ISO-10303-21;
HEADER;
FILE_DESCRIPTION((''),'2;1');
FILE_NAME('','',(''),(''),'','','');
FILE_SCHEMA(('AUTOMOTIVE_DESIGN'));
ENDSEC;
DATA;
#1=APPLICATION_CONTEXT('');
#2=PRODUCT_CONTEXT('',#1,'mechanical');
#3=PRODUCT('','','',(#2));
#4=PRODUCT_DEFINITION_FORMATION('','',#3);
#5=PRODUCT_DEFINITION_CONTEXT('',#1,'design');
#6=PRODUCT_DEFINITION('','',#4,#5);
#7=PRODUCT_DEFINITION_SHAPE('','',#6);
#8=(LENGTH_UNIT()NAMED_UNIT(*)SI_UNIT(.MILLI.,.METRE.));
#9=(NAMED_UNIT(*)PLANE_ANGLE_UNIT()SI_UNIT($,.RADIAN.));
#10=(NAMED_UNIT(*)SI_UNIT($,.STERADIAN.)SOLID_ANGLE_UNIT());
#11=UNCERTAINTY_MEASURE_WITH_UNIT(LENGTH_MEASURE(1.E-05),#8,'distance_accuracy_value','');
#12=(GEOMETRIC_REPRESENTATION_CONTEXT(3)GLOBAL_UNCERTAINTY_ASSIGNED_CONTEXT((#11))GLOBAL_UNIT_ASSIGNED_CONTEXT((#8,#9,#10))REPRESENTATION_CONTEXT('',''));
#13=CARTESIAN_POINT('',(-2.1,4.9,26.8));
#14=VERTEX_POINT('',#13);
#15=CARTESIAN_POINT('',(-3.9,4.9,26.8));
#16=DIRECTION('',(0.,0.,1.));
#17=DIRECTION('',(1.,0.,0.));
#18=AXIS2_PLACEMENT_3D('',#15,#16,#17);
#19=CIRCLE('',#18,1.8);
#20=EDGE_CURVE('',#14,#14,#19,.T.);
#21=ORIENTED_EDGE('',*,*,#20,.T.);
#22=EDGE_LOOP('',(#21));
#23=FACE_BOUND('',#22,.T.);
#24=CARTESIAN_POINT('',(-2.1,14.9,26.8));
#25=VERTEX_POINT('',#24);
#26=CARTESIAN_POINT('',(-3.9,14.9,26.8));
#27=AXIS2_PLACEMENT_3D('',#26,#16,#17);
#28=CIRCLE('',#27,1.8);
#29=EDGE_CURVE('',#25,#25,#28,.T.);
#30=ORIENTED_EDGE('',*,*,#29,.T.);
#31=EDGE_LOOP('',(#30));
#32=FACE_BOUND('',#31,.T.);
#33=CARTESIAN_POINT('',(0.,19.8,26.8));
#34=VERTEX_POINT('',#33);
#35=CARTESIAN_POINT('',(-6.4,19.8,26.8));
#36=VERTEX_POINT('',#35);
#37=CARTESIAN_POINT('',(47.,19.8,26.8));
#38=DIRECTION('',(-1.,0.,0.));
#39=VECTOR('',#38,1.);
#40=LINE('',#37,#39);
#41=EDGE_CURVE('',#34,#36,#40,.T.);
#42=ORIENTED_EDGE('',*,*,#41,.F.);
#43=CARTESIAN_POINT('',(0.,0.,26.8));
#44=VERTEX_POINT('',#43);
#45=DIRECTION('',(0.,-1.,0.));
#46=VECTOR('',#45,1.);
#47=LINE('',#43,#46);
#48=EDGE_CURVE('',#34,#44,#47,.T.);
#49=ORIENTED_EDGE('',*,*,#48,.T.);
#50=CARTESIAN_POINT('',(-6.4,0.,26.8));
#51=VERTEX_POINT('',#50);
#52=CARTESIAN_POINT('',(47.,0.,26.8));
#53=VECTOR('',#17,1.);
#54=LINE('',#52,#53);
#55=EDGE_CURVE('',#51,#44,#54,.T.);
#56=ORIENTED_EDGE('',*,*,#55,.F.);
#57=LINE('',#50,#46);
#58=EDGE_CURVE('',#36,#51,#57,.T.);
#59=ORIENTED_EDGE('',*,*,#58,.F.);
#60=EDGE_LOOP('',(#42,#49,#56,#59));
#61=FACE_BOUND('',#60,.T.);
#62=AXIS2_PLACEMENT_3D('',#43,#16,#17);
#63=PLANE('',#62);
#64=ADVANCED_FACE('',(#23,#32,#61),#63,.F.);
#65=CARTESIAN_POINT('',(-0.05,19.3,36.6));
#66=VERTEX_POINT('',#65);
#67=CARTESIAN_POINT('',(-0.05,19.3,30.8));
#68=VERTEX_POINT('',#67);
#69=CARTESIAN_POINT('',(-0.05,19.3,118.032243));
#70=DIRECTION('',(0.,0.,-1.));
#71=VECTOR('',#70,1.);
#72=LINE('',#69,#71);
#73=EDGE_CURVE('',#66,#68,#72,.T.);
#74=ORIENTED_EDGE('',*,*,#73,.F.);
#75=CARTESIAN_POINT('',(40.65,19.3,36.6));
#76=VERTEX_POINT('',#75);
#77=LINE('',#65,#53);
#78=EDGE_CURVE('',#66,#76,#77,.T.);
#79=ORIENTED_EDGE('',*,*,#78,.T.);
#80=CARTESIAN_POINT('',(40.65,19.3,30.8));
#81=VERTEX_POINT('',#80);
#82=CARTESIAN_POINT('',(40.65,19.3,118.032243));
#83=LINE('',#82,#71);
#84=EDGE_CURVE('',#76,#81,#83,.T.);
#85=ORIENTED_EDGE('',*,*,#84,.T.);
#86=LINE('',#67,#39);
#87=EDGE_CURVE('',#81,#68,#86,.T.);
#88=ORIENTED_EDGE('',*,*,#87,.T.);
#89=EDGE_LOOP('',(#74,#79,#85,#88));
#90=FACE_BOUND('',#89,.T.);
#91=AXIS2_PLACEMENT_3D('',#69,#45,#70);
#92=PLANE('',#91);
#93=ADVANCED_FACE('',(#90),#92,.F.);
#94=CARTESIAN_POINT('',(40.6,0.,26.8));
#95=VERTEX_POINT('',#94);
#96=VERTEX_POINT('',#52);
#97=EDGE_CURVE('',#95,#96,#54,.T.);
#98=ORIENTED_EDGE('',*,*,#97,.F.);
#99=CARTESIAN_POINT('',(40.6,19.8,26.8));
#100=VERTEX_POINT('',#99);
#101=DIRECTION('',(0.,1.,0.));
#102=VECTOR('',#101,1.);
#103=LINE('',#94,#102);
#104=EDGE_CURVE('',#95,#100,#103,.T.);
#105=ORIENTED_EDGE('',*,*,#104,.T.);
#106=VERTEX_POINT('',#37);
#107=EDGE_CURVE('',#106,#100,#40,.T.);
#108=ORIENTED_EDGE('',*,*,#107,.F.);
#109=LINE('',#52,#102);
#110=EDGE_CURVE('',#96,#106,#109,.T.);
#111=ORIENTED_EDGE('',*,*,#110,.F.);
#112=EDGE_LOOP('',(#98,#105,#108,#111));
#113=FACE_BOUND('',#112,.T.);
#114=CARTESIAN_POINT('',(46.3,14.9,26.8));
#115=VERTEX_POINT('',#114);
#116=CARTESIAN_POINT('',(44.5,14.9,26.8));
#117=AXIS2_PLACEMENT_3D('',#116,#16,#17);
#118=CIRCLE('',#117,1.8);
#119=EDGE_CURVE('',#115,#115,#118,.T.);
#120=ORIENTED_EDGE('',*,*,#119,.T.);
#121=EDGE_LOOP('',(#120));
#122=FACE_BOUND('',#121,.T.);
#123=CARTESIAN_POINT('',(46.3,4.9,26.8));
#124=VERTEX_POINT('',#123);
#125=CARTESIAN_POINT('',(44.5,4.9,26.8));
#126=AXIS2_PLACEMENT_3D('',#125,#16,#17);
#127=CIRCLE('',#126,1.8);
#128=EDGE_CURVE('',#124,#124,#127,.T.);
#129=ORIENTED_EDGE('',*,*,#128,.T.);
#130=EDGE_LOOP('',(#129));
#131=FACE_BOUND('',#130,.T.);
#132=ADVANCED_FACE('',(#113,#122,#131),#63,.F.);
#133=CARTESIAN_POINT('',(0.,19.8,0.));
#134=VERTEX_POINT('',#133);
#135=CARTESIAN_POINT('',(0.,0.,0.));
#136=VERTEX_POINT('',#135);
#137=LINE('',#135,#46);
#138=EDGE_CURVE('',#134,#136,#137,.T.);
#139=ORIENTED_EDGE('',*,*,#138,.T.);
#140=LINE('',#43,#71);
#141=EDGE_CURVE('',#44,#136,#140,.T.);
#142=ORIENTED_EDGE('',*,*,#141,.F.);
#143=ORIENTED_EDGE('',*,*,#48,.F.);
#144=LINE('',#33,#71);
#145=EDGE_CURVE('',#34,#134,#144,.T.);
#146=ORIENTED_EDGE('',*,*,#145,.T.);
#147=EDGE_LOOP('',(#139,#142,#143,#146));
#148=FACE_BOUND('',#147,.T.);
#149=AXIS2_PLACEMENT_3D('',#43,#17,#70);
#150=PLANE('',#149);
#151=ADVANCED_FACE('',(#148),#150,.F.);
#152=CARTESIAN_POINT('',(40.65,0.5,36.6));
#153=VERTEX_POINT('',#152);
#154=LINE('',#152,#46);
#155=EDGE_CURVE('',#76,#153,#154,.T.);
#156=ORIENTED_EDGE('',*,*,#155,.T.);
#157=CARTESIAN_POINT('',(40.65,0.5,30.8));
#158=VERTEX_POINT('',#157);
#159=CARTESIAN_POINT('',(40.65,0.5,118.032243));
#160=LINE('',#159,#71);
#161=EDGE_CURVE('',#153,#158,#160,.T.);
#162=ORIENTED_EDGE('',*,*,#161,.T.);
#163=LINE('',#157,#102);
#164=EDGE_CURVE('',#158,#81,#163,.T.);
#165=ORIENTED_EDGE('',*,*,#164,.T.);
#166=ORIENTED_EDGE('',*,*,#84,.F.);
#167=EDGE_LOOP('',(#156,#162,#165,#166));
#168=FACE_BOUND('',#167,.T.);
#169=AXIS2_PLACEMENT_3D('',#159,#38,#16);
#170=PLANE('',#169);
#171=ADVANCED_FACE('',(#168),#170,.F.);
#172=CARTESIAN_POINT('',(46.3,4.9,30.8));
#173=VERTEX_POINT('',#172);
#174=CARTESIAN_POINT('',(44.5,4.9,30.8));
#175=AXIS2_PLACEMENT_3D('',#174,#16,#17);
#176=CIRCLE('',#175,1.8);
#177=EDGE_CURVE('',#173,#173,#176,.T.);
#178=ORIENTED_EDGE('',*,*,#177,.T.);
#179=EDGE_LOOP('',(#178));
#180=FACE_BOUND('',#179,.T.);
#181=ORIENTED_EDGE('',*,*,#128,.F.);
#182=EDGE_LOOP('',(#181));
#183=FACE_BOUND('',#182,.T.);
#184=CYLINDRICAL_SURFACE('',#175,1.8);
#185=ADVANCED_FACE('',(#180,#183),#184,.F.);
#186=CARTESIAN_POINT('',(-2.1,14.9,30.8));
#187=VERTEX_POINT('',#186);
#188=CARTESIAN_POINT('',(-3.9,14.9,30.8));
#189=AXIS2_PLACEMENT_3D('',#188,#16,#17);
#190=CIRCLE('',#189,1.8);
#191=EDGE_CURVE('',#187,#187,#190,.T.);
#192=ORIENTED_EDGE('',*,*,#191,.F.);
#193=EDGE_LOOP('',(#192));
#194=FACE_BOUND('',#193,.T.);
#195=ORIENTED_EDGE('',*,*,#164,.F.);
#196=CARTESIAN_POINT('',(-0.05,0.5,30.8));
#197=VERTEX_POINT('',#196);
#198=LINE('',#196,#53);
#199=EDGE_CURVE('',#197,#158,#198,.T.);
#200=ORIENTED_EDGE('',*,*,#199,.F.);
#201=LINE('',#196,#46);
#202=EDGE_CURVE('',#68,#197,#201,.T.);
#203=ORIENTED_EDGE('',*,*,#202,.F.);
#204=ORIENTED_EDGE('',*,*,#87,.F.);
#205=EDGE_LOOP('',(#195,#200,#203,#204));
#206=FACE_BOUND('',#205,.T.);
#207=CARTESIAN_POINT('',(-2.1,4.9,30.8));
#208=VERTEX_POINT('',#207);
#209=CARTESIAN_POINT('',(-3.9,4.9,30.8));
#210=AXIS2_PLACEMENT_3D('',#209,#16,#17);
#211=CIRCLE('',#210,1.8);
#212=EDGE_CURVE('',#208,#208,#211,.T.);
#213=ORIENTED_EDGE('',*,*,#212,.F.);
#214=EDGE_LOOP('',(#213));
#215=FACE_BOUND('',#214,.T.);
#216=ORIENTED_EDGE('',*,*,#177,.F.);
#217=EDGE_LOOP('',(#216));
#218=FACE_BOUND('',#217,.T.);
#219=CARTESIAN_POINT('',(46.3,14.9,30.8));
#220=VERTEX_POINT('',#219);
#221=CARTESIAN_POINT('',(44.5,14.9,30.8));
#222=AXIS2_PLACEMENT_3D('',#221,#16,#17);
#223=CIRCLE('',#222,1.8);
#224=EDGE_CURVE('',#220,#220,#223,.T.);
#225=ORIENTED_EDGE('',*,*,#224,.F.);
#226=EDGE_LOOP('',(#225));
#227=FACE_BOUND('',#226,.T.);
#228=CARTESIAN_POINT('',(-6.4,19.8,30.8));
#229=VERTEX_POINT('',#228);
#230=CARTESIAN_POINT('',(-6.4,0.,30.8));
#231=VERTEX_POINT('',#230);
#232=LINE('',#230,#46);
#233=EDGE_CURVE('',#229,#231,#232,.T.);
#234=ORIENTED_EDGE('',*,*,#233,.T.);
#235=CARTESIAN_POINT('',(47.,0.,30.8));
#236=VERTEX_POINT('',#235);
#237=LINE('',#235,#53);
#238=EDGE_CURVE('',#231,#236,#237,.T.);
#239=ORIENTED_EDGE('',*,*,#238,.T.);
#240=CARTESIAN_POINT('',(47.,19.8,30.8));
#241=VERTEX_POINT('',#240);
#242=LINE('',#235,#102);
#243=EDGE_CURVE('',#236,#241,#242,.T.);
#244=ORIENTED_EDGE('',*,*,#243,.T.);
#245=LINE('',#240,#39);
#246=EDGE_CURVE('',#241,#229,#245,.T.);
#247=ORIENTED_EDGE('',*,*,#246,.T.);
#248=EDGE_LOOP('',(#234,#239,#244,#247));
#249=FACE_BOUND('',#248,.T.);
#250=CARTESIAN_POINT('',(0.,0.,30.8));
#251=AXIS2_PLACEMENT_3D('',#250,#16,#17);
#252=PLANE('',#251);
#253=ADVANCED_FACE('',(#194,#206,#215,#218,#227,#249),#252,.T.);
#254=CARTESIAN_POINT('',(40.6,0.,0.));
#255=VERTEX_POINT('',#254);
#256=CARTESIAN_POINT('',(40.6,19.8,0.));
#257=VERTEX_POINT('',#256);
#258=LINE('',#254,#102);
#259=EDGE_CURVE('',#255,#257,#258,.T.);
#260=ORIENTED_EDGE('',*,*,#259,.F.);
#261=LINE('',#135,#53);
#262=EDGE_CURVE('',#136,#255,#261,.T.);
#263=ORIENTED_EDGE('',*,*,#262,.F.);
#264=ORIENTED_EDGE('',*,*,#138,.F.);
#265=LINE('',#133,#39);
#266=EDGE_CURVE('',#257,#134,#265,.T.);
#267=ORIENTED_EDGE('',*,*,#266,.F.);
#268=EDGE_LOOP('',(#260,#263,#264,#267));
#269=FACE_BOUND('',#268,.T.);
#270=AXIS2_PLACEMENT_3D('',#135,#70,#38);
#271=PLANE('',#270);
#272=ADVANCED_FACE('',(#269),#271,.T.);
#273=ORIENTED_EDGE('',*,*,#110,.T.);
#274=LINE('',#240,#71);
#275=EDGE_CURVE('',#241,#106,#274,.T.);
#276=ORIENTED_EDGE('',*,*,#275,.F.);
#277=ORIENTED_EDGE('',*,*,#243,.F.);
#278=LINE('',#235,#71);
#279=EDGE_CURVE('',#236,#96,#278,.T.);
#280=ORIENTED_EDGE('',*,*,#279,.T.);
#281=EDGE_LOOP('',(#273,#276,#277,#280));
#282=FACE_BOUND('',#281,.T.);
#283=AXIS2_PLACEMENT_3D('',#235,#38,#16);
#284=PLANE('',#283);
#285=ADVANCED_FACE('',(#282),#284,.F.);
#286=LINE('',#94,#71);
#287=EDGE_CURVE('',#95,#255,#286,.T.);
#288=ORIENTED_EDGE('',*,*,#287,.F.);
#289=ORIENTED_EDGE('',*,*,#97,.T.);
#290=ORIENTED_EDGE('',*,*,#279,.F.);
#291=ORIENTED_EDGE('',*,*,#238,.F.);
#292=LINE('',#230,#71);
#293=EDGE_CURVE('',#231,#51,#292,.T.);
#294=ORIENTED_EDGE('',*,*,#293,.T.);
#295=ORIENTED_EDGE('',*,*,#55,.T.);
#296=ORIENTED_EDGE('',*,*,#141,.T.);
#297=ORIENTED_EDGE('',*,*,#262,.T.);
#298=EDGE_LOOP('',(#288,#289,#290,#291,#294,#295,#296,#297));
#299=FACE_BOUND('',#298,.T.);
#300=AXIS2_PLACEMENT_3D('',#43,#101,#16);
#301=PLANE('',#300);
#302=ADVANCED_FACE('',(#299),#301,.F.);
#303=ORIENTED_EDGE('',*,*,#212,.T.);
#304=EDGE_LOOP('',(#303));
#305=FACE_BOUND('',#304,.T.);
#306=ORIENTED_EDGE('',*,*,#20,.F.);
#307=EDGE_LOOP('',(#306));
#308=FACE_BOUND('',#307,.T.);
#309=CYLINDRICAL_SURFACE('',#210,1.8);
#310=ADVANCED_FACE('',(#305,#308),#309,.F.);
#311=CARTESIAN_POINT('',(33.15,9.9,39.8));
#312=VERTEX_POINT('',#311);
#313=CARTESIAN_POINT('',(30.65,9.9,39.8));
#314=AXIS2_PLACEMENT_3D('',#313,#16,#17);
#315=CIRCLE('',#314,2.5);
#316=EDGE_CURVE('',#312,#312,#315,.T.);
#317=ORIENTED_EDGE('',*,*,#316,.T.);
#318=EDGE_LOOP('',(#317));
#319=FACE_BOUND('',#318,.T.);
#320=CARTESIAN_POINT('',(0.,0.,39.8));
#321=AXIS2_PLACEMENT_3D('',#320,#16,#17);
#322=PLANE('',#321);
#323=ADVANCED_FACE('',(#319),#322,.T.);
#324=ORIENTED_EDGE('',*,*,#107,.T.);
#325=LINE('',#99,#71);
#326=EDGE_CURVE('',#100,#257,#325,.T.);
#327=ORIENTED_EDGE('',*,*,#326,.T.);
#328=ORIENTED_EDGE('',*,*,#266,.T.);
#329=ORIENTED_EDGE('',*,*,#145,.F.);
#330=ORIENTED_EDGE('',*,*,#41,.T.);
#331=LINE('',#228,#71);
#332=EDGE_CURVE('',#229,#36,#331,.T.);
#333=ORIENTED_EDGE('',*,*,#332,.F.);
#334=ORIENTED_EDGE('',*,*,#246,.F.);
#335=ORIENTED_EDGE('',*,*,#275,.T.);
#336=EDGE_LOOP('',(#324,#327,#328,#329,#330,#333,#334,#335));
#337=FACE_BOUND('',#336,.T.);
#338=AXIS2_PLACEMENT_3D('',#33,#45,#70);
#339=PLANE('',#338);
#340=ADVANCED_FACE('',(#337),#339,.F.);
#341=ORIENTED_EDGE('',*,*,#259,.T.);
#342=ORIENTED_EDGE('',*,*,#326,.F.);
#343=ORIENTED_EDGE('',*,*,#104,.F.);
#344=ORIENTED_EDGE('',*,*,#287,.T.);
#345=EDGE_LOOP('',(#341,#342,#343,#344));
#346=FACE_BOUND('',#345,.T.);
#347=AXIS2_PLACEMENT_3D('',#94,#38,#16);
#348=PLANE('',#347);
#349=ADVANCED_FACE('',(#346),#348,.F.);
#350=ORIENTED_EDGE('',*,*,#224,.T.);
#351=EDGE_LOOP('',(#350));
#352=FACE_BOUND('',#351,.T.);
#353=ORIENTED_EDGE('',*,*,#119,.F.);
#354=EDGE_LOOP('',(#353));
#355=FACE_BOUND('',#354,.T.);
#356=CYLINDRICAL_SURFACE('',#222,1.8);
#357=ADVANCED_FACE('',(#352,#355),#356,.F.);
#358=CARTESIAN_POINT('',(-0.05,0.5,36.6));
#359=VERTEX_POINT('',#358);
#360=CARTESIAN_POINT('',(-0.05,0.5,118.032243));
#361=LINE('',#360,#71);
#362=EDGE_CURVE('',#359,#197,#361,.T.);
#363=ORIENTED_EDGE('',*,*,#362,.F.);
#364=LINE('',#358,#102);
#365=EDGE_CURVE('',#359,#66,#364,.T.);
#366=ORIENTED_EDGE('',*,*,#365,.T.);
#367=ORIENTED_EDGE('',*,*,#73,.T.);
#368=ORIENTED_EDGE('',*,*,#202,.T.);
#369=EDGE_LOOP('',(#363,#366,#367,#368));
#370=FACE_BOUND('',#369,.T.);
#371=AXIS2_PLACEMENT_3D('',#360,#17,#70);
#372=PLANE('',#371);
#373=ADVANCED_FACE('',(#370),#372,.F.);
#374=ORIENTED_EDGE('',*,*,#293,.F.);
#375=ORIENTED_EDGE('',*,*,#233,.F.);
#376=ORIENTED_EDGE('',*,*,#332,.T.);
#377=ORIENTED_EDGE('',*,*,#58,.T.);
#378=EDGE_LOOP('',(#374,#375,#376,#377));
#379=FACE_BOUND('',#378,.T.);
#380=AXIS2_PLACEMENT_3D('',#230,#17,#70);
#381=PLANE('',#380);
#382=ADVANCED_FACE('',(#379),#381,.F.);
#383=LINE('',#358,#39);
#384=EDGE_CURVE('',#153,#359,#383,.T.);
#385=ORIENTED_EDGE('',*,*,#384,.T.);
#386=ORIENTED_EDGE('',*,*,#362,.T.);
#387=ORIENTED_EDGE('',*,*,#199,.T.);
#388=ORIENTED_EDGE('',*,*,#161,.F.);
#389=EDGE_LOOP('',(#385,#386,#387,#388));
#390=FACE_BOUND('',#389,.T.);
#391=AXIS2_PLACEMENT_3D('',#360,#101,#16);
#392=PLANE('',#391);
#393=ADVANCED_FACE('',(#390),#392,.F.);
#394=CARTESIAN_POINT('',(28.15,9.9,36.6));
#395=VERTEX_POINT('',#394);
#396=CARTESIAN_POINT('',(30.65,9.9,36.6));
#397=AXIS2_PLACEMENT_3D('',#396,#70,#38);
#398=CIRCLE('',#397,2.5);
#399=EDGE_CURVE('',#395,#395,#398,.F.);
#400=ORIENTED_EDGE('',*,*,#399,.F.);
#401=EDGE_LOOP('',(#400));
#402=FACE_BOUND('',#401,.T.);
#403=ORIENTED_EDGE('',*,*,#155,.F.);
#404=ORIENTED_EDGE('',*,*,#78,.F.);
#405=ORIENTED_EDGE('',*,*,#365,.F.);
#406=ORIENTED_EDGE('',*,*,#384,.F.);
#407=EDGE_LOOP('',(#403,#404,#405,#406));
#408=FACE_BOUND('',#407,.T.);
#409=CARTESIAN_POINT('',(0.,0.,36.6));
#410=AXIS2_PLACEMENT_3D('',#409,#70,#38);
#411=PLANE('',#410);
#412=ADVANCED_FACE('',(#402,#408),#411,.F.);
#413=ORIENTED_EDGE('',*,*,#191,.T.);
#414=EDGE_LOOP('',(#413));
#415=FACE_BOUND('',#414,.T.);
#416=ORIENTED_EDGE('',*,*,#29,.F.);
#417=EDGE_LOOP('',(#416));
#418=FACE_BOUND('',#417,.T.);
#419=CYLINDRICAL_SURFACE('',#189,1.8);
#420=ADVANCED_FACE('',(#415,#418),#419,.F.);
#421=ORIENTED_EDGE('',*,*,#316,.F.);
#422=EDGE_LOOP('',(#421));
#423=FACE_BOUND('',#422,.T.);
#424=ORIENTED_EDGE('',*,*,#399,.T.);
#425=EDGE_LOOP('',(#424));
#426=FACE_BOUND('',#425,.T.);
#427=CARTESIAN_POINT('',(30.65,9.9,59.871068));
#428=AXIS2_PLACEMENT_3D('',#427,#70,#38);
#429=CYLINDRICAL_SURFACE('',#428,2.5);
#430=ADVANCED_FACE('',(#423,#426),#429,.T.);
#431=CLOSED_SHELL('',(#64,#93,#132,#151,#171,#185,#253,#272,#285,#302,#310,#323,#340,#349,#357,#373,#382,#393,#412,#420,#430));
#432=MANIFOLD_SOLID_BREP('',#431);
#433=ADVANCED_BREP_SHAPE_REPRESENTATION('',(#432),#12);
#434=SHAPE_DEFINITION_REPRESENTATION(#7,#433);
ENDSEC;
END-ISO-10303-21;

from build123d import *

# Parameters (mm, degrees)
SKETCH1_W            = 40.6
SKETCH1_H            = 19.8
BOSS_EXTRUDE1_DEPTH  = 26.8
SKETCH2_W            = 53.4
SKETCH2_H            = 19.8
BOSS_EXTRUDE2_DEPTH  = 4
M3_CLEARANCE_HOLE1_D = 3.6
SKETCH6_W            = 40.7
SKETCH6_H            = 18.8
BOSS_EXTRUDE3_DEPTH  = 5.8
SKETCH7_R            = 2.5
BOSS_EXTRUDE4_DEPTH  = 3.2


with BuildPart() as part:
    # Sketch1 → Boss-Extrude1 (new body)
    with BuildSketch(Plane.XY):
        with Locations((20.3, 9.9)):
            Rectangle(SKETCH1_W, SKETCH1_H)
    extrude(amount=BOSS_EXTRUDE1_DEPTH)

    # Sketch2 → Boss-Extrude2 (add)
    with BuildSketch(Plane.XY.offset(26.8)):
        with Locations((20.3, 9.9)):
            Rectangle(SKETCH2_W, SKETCH2_H)
    extrude(amount=BOSS_EXTRUDE2_DEPTH)

    # M3 Clearance Hole1 (through all)
    with Locations(Plane.XY.offset(30.8)):
        with Locations((-3.9, 14.9), (-3.9, 4.9), (44.5, 4.9), (44.5, 14.9)):
            Hole(M3_CLEARANCE_HOLE1_D / 2)

    # Sketch6 → Boss-Extrude3 (add)
    with BuildSketch(Plane.XY.offset(30.8)):
        with Locations((20.3, 9.9)):
            Rectangle(SKETCH6_W, SKETCH6_H)
    extrude(amount=BOSS_EXTRUDE3_DEPTH)

    # Sketch7 → Boss-Extrude4 (add)
    with BuildSketch(Plane.XY.offset(36.6)):
        with Locations(Location((30.65, 9.9, 0), (0, 0, 180))):
            Circle(SKETCH7_R)
    extrude(amount=BOSS_EXTRUDE4_DEPTH)


solid = part.part
